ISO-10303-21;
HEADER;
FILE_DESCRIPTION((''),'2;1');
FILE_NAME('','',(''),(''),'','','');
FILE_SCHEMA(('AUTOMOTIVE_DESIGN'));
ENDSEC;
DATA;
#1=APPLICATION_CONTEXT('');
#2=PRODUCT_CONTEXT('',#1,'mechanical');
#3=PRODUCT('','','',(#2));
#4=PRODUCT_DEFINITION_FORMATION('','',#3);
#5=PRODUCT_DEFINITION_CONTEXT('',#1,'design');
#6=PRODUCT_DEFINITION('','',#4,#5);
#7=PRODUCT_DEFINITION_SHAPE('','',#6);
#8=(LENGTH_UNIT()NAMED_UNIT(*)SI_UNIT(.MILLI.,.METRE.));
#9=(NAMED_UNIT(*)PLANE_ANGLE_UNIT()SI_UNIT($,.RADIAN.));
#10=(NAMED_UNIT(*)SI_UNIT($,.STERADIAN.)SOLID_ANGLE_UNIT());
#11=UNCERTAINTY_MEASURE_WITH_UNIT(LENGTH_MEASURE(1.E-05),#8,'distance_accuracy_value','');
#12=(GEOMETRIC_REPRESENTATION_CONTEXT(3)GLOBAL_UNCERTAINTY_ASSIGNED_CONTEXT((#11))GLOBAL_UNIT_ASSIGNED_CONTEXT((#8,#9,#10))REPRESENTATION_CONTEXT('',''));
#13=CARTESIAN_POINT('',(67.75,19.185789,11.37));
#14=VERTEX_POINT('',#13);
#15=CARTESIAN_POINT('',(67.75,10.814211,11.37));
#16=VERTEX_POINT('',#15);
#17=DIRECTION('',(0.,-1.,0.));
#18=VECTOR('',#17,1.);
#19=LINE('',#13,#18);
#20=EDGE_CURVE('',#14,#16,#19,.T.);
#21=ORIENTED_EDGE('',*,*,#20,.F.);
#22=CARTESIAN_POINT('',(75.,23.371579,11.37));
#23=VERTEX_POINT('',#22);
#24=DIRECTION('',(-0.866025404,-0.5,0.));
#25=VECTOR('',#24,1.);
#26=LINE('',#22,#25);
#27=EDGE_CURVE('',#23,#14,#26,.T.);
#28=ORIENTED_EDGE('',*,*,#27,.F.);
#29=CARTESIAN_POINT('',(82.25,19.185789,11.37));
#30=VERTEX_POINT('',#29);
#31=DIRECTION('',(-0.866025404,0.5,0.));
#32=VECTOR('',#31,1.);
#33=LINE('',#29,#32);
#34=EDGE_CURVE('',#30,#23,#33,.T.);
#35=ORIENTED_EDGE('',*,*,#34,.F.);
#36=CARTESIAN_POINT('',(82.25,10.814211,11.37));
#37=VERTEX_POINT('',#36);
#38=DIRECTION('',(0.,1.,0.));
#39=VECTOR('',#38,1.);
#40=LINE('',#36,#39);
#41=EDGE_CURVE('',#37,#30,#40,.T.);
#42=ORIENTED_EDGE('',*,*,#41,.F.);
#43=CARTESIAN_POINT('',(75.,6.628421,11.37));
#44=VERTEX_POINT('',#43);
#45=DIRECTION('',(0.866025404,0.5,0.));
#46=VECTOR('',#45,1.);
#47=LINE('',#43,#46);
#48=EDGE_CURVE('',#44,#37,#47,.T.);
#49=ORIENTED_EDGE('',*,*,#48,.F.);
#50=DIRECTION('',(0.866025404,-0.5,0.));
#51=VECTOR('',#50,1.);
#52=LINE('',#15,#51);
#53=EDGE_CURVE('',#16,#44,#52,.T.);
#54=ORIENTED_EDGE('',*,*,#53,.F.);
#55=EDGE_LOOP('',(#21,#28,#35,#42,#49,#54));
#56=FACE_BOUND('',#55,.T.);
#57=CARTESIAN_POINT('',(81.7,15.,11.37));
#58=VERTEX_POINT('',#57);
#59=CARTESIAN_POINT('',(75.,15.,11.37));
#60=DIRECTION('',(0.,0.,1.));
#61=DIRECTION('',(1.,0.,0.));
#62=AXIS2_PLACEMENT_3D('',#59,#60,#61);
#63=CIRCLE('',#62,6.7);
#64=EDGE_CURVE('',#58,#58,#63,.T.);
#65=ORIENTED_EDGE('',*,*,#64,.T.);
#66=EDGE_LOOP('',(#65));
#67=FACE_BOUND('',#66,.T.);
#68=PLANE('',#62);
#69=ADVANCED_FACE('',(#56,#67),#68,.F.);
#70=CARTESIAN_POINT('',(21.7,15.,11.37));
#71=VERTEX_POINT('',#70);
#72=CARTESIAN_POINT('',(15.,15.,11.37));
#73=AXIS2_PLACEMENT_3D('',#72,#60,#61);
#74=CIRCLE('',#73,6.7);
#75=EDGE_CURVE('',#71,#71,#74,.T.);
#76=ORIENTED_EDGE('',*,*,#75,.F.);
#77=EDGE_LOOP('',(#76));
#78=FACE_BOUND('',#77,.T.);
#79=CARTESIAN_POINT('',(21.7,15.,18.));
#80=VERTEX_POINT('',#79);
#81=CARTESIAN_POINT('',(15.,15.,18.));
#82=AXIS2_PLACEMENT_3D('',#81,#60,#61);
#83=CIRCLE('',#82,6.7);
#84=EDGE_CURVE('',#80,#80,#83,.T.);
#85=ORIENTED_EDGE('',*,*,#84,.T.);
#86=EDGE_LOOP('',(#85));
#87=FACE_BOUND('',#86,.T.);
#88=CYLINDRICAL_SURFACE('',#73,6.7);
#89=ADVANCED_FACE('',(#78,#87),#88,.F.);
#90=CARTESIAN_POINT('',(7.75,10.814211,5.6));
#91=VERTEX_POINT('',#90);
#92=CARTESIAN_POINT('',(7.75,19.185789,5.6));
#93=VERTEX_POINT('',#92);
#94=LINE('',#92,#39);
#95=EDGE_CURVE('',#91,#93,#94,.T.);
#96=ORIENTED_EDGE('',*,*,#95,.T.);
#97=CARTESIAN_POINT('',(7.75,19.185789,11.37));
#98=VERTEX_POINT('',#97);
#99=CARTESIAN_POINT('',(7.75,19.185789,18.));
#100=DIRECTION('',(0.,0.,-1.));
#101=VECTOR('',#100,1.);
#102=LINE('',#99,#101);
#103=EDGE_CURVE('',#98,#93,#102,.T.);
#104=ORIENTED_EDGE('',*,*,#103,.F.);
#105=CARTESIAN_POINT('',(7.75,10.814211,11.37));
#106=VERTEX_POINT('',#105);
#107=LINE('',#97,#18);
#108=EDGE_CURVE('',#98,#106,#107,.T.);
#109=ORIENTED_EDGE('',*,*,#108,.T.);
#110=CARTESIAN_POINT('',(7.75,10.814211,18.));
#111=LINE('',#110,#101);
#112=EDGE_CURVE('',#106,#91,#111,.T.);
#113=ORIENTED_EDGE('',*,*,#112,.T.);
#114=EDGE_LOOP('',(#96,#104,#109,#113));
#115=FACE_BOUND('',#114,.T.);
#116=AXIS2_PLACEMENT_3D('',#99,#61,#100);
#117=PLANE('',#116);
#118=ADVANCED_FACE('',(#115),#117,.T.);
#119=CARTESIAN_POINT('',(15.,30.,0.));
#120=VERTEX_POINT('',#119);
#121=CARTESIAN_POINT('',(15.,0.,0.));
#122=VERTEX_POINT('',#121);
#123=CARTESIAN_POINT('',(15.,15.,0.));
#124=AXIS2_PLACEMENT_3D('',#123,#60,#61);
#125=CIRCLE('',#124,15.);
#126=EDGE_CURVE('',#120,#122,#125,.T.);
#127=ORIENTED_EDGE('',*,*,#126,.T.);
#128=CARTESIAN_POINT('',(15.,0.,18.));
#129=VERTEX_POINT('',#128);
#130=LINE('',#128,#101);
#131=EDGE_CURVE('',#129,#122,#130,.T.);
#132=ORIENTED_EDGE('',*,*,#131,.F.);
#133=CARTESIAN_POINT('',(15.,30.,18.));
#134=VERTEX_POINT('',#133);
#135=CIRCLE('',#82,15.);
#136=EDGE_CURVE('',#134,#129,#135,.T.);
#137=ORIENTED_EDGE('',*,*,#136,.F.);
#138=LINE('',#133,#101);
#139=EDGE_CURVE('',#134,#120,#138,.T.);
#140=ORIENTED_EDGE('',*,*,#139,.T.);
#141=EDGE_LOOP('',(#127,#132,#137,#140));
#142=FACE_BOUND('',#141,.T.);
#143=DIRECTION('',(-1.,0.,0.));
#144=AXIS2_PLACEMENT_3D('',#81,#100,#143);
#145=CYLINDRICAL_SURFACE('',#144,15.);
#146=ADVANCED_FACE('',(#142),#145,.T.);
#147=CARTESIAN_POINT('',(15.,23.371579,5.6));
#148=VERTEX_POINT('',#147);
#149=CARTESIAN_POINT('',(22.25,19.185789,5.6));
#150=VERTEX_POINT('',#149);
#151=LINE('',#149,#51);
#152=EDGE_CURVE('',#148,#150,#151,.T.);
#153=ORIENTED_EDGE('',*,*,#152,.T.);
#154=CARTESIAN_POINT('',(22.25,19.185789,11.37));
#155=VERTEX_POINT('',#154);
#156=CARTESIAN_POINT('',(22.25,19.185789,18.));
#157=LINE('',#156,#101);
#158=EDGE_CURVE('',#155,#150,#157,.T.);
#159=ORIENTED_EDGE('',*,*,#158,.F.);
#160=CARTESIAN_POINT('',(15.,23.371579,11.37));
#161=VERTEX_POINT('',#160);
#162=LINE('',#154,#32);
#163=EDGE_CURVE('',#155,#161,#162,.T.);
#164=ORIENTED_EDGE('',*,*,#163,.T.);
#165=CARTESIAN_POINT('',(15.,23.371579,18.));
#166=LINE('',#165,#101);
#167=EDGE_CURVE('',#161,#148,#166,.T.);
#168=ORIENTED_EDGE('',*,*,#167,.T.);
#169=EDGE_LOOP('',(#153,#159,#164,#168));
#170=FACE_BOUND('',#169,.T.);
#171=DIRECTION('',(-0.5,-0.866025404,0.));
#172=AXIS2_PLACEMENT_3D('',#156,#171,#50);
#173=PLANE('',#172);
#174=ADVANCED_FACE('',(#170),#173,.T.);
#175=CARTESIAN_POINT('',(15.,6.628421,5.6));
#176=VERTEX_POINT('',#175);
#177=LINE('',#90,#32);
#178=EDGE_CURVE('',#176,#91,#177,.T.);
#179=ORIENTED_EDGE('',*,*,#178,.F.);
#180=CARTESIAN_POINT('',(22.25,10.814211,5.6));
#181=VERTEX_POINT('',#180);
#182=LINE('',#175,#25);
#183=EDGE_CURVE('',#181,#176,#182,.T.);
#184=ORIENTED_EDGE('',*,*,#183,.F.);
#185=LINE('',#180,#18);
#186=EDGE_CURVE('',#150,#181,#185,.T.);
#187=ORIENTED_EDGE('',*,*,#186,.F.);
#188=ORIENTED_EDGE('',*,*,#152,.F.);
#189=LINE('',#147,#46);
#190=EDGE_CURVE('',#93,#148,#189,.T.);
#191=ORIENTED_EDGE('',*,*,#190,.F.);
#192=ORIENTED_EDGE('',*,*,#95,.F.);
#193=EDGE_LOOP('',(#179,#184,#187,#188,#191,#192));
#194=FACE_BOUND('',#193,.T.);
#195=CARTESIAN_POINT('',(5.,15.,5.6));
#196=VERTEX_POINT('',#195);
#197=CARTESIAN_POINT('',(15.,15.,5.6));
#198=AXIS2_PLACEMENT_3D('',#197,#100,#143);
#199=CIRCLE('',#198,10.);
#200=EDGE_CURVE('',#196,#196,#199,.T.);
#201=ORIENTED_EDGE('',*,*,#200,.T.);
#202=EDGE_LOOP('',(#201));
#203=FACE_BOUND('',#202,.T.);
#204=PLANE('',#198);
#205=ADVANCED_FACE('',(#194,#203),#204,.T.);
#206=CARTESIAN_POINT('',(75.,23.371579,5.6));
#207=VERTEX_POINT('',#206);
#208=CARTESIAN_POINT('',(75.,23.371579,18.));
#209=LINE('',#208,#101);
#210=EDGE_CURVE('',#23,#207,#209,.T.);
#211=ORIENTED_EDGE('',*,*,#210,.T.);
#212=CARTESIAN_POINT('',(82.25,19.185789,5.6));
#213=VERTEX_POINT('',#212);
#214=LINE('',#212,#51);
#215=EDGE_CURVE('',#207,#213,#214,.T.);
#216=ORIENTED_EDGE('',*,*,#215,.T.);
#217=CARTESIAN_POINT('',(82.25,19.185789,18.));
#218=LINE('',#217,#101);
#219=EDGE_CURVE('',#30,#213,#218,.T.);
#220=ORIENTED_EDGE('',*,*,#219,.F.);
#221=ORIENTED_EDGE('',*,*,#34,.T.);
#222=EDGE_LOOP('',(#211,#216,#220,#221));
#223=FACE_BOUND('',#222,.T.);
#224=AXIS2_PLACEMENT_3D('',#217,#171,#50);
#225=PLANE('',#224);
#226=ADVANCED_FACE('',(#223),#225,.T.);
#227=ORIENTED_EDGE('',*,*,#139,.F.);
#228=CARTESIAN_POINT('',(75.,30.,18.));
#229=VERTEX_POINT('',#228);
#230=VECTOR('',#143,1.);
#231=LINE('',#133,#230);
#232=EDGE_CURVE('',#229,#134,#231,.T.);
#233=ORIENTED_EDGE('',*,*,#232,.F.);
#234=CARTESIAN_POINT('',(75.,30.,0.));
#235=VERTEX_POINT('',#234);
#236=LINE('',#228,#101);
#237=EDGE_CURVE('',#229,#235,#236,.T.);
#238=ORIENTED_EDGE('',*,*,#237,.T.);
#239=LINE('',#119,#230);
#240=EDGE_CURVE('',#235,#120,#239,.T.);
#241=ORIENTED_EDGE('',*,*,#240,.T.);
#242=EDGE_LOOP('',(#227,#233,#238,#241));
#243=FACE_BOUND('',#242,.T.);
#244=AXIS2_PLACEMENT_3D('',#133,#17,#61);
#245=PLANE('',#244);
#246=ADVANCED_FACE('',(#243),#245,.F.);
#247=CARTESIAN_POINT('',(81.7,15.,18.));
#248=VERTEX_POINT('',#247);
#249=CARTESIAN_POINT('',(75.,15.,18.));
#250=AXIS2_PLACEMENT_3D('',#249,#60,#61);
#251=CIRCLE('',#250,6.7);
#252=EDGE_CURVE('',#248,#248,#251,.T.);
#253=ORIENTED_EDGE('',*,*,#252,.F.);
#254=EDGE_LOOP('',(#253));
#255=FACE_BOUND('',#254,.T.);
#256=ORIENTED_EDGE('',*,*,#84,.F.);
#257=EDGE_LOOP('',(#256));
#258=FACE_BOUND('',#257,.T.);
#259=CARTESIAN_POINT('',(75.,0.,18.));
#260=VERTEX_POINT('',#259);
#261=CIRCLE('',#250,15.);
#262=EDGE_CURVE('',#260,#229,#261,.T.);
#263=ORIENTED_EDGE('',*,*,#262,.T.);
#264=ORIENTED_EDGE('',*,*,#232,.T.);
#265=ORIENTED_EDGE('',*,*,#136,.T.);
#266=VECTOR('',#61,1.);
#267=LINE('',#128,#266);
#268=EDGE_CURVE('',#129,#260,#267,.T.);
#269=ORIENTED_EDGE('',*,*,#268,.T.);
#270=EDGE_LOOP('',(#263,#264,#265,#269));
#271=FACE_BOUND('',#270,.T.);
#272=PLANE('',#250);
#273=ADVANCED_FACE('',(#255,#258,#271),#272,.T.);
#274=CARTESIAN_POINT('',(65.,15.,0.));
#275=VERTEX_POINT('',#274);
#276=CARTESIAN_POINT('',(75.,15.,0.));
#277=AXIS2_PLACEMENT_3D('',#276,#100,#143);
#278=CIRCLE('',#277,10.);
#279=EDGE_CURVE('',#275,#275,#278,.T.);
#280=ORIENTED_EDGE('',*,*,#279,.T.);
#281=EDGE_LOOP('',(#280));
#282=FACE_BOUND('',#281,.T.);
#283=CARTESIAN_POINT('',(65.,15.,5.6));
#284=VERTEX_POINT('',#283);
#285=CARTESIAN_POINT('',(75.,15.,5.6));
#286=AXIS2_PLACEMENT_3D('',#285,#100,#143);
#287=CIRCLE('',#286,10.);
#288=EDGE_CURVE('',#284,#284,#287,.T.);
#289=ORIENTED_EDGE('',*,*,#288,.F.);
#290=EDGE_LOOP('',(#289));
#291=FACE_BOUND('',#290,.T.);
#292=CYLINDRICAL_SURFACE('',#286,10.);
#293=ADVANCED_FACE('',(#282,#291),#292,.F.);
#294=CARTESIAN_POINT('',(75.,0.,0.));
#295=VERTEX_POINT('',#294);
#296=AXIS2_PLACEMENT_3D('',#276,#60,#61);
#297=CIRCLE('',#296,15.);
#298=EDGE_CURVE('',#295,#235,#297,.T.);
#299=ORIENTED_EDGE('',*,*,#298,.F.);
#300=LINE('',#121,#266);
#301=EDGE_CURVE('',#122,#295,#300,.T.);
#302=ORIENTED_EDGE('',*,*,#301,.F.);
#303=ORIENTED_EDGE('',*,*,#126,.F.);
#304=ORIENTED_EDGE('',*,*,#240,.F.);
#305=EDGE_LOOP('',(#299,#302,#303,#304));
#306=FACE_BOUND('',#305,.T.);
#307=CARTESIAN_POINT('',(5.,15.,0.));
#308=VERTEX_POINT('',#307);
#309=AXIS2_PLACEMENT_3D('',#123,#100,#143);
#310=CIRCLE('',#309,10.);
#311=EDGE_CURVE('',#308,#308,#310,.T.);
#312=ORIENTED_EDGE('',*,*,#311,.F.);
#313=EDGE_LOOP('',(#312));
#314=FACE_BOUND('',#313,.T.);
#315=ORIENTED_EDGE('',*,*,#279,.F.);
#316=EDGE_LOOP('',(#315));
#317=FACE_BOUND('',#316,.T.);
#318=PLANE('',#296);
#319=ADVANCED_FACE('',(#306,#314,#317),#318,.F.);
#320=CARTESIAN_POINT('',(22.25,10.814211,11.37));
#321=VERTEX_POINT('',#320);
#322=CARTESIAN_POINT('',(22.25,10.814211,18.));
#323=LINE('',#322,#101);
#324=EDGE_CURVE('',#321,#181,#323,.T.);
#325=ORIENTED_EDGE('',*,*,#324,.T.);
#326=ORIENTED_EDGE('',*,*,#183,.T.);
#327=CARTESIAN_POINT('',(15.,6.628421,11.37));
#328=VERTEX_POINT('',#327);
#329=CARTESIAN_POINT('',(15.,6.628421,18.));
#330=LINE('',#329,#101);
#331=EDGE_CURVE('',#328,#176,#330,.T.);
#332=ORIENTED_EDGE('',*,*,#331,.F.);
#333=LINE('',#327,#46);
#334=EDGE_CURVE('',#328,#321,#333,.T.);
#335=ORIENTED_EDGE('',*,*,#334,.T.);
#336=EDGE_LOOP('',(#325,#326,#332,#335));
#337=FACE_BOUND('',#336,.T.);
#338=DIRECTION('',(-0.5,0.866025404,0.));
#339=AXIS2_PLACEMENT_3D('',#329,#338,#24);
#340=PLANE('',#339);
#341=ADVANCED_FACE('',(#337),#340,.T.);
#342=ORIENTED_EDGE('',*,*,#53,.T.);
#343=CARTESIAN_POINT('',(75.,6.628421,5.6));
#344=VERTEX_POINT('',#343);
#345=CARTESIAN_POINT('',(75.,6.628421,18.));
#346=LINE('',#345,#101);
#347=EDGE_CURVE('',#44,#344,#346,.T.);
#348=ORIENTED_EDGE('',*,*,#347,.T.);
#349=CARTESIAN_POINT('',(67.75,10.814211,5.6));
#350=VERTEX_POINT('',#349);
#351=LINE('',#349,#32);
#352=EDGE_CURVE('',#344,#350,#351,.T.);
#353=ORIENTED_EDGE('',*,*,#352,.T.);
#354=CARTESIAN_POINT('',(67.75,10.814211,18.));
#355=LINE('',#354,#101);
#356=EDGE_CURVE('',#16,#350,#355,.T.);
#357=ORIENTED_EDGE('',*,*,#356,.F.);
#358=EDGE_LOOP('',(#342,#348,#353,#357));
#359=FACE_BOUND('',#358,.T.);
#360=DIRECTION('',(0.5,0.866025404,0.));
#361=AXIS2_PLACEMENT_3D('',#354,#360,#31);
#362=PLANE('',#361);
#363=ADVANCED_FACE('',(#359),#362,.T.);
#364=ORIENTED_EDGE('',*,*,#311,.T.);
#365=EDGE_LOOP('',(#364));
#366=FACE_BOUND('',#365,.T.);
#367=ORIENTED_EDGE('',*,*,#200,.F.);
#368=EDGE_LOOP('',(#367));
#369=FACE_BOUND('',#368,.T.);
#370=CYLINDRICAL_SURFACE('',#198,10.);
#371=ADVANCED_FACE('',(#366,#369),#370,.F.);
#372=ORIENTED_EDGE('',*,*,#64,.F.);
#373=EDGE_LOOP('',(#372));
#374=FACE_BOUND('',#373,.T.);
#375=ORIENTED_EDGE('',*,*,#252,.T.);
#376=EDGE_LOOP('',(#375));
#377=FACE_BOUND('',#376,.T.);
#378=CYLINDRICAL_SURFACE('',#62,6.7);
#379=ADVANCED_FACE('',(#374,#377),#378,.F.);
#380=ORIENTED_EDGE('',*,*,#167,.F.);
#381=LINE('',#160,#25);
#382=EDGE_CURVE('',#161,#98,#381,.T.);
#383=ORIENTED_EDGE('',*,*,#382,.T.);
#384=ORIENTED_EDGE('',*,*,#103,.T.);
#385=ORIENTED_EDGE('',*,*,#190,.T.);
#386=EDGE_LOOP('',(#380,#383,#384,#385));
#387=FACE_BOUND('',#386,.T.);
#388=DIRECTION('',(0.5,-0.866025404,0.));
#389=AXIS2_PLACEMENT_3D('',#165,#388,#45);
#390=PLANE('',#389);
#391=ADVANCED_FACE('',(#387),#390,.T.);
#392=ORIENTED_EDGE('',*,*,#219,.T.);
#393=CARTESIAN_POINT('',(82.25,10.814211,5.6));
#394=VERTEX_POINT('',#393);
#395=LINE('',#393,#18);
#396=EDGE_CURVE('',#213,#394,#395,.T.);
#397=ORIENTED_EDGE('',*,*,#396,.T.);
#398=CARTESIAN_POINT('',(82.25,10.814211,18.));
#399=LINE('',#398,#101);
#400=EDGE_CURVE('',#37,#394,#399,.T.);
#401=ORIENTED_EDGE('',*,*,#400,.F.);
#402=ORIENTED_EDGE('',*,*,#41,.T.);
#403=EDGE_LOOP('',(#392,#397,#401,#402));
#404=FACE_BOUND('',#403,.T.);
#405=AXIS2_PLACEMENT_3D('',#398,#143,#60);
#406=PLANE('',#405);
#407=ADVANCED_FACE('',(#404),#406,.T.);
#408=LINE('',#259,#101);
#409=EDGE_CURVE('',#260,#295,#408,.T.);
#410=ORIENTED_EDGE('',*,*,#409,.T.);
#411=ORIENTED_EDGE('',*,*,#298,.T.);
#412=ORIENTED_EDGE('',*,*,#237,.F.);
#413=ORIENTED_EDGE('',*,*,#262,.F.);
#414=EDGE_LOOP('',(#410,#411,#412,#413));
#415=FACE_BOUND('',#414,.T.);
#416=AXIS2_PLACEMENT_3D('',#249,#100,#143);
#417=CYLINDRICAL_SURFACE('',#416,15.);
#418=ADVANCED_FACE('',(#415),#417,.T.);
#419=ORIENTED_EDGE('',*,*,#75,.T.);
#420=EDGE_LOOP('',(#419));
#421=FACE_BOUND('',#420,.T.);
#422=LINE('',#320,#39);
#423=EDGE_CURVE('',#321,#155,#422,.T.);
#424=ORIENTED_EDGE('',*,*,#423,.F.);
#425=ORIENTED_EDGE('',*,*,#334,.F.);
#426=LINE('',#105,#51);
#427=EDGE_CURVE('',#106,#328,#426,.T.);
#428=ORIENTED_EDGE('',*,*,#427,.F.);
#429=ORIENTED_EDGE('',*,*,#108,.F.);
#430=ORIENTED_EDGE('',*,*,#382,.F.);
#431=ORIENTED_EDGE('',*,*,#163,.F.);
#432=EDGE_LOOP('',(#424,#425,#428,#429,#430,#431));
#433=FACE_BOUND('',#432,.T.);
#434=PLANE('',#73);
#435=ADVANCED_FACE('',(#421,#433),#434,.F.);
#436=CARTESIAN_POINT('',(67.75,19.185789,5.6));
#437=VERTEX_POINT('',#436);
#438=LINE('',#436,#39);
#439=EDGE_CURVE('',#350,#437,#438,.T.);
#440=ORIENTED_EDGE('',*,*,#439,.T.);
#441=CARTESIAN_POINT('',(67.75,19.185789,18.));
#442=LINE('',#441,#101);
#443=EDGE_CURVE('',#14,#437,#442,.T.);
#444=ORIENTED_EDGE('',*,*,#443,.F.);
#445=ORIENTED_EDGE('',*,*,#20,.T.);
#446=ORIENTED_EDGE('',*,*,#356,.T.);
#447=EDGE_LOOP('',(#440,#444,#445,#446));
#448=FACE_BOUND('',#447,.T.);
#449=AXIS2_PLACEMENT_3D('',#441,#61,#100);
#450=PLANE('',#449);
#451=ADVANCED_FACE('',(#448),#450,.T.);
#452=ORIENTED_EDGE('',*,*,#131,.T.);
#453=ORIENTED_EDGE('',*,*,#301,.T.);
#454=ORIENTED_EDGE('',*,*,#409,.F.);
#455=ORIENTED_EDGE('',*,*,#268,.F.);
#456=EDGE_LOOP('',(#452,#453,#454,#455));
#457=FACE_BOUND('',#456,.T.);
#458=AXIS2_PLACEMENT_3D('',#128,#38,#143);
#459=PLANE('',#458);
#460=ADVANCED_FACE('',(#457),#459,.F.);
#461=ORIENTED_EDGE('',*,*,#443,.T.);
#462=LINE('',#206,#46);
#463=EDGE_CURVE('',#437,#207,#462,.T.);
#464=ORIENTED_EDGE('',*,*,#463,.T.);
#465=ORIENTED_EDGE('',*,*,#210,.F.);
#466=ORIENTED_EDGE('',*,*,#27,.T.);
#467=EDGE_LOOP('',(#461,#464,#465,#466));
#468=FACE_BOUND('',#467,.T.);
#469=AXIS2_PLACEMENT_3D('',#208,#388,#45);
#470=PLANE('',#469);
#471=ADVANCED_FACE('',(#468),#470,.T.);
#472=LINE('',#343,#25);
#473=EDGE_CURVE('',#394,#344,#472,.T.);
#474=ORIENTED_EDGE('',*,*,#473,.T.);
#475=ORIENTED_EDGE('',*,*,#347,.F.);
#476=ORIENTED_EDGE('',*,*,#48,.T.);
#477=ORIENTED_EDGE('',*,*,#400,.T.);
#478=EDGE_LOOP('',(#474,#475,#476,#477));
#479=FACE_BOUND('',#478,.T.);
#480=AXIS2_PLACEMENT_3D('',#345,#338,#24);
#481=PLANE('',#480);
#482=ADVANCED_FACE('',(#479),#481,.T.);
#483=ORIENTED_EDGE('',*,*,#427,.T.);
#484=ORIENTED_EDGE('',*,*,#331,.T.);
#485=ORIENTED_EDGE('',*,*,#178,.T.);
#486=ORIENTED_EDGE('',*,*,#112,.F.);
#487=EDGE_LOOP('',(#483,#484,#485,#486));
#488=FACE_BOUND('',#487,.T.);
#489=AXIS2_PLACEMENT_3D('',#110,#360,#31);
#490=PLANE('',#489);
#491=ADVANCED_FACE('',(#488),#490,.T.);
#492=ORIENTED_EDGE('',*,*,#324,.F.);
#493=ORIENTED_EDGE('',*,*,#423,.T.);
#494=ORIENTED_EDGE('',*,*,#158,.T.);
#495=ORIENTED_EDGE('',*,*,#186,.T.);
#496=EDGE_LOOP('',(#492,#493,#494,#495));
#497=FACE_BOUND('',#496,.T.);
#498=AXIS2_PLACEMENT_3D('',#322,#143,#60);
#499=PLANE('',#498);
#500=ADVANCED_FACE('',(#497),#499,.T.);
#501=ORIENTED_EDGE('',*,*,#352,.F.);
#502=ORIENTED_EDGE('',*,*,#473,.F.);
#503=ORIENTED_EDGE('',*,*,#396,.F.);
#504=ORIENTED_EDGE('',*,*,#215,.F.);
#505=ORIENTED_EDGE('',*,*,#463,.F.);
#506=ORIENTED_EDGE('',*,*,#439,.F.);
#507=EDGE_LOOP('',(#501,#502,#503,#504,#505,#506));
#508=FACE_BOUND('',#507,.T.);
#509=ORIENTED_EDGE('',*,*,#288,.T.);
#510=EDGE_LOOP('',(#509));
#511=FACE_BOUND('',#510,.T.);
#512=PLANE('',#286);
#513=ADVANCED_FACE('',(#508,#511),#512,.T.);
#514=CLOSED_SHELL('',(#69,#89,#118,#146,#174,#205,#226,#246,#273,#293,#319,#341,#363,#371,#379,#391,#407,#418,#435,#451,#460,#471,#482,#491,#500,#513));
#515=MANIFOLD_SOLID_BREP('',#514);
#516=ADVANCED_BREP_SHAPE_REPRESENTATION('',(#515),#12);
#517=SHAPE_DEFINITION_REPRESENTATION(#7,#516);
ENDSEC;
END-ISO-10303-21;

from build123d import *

# Parameters (mm, degrees)
BOSS_EXTRUDE1_DEPTH = 18
SKETCH2_R           = 10
CUT_EXTRUDE1_DEPTH  = 5.6
SKETCH3_R           = 8.371578903
SKETCH3_R_2         = 6.7
BOSS_EXTRUDE2_DEPTH = 6.63


with BuildPart() as part:
    # Sketch1 → Boss-Extrude1 (new body)
    with BuildSketch(Plane.XY):
        with BuildLine():
            Line((15, 0), (75, 0))
            ThreePointArc((75, 0), (90, 15), (75, 30))
            Line((75, 30), (15, 30))
            ThreePointArc((15, 30), (0, 15), (15, 0))
        make_face()
        Polygon((15, 23.371578903), (7.75, 19.185789452), (7.75, 10.814210548), (15, 6.628421097), (22.25, 10.814210548), (22.25, 19.185789452), align=None, mode=Mode.SUBTRACT)
        Polygon((75, 23.371578903), (67.75, 19.185789452), (67.75, 10.814210548), (75, 6.628421097), (82.25, 10.814210548), (82.25, 19.185789452), align=None, mode=Mode.SUBTRACT)
    extrude(amount=BOSS_EXTRUDE1_DEPTH)

    # Sketch2 → Cut-Extrude1 (cut)
    with BuildSketch(Plane(origin=(0, 0, 0), x_dir=(-1, 0, 0), z_dir=(0, 0, -1))):
        with Locations((-75, 15)):
            Circle(SKETCH2_R)
        with Locations((-15, 15)):
            Circle(SKETCH2_R)
    extrude(amount=-CUT_EXTRUDE1_DEPTH, mode=Mode.SUBTRACT)

    # Sketch3 → Boss-Extrude2 (add)
    # profile 1 of 2: a face of its own
    with BuildSketch(Plane.XY.offset(18)):
        with Locations((75, 15)):
            Circle(SKETCH3_R)
        with Locations((75, 15)):
            Circle(SKETCH3_R_2, mode=Mode.SUBTRACT)
    # profile 2 of 2: a face of its own
    with BuildSketch(Plane.XY.offset(18)):
        with Locations((15, 15)):
            Circle(SKETCH3_R)
        with Locations((15, 15)):
            Circle(SKETCH3_R_2, mode=Mode.SUBTRACT)
    extrude(amount=-BOSS_EXTRUDE2_DEPTH)


solid = part.part
